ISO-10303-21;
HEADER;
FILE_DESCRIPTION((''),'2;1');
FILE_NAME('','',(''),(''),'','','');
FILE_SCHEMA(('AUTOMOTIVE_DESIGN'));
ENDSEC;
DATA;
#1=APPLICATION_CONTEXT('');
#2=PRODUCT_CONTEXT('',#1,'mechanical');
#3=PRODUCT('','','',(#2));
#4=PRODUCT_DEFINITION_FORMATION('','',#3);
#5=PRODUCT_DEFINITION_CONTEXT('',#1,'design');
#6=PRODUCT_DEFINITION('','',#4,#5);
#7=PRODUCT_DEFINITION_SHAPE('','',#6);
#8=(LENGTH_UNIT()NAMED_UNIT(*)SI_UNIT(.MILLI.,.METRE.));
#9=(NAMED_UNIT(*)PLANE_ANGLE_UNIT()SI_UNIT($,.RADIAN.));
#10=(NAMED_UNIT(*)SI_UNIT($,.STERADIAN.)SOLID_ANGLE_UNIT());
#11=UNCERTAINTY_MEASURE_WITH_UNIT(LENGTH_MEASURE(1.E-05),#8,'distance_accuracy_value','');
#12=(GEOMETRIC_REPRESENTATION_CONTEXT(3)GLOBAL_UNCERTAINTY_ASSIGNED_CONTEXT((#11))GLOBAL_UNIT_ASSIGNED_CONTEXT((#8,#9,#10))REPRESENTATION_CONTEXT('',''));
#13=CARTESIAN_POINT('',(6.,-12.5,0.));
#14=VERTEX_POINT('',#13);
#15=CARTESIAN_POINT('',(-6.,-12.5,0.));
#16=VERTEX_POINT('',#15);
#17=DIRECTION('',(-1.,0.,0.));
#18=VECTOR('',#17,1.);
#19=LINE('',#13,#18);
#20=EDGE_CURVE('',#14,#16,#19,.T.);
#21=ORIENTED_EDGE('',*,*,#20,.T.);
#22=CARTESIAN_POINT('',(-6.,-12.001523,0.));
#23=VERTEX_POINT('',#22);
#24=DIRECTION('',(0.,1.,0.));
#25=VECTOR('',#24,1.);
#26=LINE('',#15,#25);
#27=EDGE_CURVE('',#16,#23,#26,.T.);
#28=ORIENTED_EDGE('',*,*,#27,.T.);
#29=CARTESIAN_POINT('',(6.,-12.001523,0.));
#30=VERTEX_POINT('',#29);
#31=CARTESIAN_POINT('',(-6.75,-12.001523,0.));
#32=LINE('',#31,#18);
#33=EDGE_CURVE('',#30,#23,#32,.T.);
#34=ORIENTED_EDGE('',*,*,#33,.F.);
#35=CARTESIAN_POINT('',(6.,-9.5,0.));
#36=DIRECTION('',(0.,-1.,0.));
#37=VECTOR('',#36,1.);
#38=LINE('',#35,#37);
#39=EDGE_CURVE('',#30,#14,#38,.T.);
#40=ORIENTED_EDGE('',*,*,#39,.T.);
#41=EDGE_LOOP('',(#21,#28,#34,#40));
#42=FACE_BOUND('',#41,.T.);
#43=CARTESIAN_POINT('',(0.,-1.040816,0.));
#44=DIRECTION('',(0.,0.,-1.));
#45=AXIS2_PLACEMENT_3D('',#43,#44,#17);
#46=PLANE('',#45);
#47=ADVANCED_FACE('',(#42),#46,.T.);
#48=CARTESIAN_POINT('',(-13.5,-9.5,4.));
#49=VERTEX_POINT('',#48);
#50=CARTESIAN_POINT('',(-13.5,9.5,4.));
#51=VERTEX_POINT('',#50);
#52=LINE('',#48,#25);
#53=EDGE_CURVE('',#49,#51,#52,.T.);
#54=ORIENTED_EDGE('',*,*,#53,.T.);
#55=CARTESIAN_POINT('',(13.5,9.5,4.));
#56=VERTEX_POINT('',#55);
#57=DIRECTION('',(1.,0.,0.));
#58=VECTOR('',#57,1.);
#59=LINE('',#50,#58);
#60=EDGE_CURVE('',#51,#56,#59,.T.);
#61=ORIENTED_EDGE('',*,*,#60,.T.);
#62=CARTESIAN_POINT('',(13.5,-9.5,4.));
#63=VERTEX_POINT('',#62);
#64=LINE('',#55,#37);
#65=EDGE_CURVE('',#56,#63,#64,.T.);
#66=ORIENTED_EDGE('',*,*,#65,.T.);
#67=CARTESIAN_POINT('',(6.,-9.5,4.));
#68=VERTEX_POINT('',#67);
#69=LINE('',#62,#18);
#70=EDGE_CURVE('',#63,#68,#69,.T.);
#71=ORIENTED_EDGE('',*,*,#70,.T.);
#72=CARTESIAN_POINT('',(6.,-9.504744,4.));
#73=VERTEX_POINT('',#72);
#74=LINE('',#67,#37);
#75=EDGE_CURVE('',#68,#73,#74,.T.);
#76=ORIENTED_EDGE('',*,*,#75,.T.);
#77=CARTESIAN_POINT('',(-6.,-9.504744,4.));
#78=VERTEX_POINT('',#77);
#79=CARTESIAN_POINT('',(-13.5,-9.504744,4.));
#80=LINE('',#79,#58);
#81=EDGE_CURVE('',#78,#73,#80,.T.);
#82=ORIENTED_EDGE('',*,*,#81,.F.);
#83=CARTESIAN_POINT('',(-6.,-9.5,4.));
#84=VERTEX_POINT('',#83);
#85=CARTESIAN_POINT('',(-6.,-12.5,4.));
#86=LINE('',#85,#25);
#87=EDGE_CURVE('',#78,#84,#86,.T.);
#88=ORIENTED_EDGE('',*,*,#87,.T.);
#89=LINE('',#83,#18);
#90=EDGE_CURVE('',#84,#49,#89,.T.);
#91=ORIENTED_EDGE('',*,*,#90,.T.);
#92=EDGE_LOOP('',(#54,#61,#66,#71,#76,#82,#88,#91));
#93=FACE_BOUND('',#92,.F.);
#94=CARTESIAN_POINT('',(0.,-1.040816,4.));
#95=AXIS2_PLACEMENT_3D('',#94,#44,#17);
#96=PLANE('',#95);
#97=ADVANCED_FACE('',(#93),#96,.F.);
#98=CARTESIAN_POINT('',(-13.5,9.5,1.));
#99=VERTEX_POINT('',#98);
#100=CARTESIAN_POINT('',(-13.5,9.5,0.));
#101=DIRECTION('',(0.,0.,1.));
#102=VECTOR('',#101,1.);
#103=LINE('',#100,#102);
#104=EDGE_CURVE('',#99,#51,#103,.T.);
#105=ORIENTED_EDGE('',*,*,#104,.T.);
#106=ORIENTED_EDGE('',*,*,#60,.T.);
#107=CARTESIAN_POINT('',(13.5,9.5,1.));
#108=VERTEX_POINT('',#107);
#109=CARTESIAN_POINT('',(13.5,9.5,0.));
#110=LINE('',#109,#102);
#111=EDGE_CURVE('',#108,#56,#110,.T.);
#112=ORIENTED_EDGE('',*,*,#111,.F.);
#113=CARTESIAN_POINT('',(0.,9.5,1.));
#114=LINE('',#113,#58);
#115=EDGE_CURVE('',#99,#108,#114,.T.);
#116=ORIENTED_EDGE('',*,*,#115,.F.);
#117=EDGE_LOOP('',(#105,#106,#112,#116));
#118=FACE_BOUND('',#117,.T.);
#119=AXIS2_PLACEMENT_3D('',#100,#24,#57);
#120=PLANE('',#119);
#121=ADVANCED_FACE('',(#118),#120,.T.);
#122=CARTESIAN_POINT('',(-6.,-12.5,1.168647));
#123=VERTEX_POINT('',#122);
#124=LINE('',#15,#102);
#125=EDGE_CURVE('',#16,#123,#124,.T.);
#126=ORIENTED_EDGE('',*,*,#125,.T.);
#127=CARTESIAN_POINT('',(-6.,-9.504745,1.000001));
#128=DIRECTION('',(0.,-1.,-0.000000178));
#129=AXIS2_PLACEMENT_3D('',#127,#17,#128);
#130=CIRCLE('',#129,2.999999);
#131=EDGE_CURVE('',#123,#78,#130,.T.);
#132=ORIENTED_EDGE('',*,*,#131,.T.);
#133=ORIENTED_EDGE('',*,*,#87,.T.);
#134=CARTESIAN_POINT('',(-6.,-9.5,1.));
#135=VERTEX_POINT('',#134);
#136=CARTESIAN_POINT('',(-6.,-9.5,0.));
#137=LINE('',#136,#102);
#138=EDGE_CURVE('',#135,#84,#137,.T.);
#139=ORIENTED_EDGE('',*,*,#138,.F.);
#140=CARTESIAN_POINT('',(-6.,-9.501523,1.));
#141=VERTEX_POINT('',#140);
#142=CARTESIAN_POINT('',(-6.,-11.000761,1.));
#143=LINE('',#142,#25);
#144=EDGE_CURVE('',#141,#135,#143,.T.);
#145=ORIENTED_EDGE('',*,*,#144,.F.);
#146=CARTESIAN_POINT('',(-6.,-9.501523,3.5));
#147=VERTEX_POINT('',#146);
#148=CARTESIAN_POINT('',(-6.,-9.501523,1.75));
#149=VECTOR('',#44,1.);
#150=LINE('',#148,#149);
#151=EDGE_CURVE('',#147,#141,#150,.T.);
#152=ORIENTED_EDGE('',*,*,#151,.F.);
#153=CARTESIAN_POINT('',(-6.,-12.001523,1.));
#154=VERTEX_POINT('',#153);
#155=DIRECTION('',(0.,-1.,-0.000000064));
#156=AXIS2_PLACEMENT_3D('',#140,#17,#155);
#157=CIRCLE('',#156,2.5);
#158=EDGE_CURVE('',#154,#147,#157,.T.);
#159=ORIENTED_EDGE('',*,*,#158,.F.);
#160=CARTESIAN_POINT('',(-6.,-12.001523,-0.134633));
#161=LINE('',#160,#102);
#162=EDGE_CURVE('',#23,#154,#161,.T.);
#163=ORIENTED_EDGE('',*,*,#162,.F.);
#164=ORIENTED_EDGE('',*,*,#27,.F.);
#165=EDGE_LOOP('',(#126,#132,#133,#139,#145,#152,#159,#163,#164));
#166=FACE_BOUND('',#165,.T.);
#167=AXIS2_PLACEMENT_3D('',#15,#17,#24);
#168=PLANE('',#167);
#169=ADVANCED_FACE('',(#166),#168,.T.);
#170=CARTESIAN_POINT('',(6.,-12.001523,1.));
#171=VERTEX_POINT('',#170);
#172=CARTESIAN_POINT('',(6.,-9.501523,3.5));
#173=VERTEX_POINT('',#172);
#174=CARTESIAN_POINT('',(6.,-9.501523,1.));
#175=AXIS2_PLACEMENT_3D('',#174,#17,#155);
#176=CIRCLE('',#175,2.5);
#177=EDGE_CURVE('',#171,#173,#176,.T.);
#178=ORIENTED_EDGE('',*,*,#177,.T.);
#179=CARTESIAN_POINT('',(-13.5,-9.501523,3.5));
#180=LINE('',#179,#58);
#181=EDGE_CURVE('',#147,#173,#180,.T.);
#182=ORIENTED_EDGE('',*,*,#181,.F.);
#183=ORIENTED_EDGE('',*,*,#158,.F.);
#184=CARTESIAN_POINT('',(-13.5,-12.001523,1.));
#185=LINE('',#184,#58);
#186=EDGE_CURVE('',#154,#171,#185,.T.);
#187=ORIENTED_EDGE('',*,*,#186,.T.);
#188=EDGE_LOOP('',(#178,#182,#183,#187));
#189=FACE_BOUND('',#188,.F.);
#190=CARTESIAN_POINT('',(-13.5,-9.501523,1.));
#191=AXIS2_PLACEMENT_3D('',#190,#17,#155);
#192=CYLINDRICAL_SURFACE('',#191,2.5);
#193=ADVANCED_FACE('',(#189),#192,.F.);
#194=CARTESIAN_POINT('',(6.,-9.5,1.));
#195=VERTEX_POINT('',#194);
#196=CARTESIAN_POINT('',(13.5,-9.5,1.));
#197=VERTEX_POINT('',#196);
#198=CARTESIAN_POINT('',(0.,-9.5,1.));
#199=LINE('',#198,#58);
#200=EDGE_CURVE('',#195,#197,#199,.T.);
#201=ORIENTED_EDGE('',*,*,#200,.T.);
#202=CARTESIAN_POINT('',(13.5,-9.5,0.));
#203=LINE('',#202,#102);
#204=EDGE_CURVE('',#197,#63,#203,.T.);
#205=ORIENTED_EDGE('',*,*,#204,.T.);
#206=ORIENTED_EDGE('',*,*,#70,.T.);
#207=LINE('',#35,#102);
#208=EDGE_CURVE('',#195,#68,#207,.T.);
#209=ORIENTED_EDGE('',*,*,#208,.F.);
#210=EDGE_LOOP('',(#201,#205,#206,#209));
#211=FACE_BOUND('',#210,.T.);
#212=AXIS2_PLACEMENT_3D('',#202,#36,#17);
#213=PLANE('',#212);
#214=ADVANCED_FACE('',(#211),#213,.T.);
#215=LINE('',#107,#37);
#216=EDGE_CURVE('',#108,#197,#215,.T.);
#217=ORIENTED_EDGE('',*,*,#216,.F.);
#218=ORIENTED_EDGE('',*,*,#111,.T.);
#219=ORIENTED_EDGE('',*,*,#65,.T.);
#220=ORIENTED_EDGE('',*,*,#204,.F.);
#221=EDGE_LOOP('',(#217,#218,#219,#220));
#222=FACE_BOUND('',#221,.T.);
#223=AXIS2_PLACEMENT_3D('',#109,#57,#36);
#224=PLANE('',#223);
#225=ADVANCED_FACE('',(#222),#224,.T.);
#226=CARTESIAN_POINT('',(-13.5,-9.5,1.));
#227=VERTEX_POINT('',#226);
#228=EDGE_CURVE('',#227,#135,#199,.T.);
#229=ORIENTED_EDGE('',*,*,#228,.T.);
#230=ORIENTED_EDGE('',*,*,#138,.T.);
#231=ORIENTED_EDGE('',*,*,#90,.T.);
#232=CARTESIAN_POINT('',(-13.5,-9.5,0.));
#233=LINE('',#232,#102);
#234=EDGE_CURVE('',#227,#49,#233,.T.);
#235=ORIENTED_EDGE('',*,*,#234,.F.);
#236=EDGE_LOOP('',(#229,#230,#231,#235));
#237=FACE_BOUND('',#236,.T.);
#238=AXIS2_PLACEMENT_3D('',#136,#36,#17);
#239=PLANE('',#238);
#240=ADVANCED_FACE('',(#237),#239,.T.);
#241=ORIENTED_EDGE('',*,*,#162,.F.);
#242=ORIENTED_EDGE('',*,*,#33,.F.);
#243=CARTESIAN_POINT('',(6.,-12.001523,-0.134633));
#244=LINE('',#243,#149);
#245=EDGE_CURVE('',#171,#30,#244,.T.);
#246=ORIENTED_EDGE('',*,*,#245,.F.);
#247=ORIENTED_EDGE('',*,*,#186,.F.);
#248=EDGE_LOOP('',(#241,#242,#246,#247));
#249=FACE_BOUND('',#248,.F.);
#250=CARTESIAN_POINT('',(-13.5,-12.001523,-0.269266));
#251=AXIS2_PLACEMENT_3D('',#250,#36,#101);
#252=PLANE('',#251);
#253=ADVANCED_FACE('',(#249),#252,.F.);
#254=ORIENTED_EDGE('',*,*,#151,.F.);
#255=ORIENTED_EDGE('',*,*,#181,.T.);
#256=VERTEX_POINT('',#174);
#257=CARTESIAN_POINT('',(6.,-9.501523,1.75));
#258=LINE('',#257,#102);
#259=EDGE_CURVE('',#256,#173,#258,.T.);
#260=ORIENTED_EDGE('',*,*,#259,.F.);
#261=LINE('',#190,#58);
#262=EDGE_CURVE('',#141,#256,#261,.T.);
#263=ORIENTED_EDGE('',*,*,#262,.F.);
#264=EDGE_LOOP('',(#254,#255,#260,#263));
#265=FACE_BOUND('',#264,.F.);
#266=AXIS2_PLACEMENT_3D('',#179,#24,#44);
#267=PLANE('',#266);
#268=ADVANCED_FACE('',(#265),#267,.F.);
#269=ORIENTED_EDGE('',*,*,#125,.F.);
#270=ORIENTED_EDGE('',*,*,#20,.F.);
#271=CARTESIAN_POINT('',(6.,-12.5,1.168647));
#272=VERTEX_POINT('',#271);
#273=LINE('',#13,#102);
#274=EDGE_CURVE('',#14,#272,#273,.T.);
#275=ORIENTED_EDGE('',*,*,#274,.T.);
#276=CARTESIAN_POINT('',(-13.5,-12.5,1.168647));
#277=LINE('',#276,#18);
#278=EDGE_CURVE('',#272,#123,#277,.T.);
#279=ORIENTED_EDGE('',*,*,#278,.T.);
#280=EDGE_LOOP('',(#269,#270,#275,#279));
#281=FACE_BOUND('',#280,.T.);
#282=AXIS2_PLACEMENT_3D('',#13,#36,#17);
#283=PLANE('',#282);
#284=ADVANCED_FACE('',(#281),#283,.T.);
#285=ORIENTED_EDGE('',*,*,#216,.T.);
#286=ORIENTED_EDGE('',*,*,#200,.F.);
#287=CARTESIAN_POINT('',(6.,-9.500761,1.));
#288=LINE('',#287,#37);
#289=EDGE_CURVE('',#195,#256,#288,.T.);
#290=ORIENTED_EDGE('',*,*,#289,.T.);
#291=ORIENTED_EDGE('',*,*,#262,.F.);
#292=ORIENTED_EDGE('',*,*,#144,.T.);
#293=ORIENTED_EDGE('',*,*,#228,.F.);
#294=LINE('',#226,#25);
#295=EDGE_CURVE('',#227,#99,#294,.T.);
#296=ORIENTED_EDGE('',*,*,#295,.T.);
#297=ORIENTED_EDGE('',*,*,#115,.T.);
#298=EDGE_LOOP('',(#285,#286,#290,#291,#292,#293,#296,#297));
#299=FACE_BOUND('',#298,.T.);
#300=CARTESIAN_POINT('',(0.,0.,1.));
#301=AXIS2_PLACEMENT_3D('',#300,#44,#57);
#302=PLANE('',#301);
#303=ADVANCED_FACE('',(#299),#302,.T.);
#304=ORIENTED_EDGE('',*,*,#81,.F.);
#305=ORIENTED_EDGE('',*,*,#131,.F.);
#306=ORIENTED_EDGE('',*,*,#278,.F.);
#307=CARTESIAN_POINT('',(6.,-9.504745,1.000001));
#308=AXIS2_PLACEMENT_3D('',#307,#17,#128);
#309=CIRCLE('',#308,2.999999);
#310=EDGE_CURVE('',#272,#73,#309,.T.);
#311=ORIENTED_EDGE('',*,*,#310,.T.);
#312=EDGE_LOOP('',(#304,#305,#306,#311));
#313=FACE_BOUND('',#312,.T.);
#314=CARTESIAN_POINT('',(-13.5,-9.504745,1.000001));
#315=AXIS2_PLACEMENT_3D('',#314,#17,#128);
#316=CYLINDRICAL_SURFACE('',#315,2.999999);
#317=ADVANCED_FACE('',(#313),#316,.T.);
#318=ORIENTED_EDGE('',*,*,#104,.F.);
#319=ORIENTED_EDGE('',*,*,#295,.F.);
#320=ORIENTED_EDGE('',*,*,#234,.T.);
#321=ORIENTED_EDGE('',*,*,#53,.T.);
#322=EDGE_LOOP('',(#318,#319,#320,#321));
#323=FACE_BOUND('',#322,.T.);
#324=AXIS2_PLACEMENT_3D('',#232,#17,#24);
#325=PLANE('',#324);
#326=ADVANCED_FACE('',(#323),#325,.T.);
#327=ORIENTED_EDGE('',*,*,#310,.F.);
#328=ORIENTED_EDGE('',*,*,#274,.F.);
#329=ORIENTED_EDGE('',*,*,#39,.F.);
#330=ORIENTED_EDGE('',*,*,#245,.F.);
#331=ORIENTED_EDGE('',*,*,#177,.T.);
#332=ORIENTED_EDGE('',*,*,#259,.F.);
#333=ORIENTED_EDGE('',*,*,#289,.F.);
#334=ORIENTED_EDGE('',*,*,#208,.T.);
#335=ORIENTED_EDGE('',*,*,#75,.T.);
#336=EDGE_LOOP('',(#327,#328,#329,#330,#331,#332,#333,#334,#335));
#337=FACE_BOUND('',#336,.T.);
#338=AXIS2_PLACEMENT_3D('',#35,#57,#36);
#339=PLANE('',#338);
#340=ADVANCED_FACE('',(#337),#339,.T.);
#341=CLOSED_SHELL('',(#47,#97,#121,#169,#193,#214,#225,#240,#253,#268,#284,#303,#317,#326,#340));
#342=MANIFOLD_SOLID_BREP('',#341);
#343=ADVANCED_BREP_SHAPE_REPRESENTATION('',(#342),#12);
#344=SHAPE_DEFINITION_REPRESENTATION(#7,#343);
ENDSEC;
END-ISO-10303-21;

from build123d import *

# Parameters (mm, degrees)
PAD_DEPTH       = 4
SKETCH001_W     = 27
SKETCH001_H     = 19
POCKET_DEPTH    = 1
POCKET001_DEPTH = 27
POCKET002_DEPTH = 27


with BuildPart() as part:
    # Sketch → Pad (new body)
    with BuildSketch(Plane.XY):
        Polygon((-13.5, 9.5), (13.5, 9.5), (13.5, -9.5), (6, -9.5), (6, -12.5), (-6, -12.5), (-6, -9.5), (-13.5, -9.5), align=None)
    extrude(amount=PAD_DEPTH)

    # Sketch001 (on Face9 of Pad) → Pocket (cut)
    with BuildSketch(Plane(origin=(0, 0, 0), x_dir=(1, 0, 0), z_dir=(0, 0, -1))):
        Rectangle(SKETCH001_W, SKETCH001_H)
    extrude(amount=-POCKET_DEPTH, mode=Mode.SUBTRACT)

    # Sketch002 (on Face11 of Pocket) → Pocket001 (cut)
    with BuildSketch(Plane(origin=(-13.5, 0, 0), x_dir=(0, -1, 0), z_dir=(-1, 0, 0))):
        with BuildLine():
            ThreePointArc((12.504744, 1), (11.626065, 3.12132), (9.504744, 4))
            Line((9.504744, 4), (9.504744, 5.572417))
            Line((9.504744, 5.572417), (13.03316, 5.572417))
            Line((13.03316, 5.572417), (13.03316, 1))
            Line((13.03316, 1), (12.504744, 1))
        make_face()
    extrude(amount=-POCKET001_DEPTH, mode=Mode.SUBTRACT)

    # Sketch003 (on Face11 of Pocket001) → Pocket002 (cut)
    with BuildSketch(Plane(origin=(-13.5, 0, 0), x_dir=(0, -1, 0), z_dir=(-1, 0, 0))):
        with BuildLine():
            ThreePointArc((12.001523, 1), (11.26929, 2.767767), (9.501523, 3.5))
            Line((9.501523, 3.5), (9.501523, 1))
            Line((9.501523, 1), (9.324189, 1))
            Line((9.324189, 1), (9.324189, -0.269266))
            Line((9.324189, -0.269266), (10.161053, -0.269266))
            Line((10.161053, -0.269266), (12.001523, -0.269266))
            Line((12.001523, -0.269266), (12.001523, 1))
        make_face()
    extrude(amount=-POCKET002_DEPTH, mode=Mode.SUBTRACT)


solid = part.part
